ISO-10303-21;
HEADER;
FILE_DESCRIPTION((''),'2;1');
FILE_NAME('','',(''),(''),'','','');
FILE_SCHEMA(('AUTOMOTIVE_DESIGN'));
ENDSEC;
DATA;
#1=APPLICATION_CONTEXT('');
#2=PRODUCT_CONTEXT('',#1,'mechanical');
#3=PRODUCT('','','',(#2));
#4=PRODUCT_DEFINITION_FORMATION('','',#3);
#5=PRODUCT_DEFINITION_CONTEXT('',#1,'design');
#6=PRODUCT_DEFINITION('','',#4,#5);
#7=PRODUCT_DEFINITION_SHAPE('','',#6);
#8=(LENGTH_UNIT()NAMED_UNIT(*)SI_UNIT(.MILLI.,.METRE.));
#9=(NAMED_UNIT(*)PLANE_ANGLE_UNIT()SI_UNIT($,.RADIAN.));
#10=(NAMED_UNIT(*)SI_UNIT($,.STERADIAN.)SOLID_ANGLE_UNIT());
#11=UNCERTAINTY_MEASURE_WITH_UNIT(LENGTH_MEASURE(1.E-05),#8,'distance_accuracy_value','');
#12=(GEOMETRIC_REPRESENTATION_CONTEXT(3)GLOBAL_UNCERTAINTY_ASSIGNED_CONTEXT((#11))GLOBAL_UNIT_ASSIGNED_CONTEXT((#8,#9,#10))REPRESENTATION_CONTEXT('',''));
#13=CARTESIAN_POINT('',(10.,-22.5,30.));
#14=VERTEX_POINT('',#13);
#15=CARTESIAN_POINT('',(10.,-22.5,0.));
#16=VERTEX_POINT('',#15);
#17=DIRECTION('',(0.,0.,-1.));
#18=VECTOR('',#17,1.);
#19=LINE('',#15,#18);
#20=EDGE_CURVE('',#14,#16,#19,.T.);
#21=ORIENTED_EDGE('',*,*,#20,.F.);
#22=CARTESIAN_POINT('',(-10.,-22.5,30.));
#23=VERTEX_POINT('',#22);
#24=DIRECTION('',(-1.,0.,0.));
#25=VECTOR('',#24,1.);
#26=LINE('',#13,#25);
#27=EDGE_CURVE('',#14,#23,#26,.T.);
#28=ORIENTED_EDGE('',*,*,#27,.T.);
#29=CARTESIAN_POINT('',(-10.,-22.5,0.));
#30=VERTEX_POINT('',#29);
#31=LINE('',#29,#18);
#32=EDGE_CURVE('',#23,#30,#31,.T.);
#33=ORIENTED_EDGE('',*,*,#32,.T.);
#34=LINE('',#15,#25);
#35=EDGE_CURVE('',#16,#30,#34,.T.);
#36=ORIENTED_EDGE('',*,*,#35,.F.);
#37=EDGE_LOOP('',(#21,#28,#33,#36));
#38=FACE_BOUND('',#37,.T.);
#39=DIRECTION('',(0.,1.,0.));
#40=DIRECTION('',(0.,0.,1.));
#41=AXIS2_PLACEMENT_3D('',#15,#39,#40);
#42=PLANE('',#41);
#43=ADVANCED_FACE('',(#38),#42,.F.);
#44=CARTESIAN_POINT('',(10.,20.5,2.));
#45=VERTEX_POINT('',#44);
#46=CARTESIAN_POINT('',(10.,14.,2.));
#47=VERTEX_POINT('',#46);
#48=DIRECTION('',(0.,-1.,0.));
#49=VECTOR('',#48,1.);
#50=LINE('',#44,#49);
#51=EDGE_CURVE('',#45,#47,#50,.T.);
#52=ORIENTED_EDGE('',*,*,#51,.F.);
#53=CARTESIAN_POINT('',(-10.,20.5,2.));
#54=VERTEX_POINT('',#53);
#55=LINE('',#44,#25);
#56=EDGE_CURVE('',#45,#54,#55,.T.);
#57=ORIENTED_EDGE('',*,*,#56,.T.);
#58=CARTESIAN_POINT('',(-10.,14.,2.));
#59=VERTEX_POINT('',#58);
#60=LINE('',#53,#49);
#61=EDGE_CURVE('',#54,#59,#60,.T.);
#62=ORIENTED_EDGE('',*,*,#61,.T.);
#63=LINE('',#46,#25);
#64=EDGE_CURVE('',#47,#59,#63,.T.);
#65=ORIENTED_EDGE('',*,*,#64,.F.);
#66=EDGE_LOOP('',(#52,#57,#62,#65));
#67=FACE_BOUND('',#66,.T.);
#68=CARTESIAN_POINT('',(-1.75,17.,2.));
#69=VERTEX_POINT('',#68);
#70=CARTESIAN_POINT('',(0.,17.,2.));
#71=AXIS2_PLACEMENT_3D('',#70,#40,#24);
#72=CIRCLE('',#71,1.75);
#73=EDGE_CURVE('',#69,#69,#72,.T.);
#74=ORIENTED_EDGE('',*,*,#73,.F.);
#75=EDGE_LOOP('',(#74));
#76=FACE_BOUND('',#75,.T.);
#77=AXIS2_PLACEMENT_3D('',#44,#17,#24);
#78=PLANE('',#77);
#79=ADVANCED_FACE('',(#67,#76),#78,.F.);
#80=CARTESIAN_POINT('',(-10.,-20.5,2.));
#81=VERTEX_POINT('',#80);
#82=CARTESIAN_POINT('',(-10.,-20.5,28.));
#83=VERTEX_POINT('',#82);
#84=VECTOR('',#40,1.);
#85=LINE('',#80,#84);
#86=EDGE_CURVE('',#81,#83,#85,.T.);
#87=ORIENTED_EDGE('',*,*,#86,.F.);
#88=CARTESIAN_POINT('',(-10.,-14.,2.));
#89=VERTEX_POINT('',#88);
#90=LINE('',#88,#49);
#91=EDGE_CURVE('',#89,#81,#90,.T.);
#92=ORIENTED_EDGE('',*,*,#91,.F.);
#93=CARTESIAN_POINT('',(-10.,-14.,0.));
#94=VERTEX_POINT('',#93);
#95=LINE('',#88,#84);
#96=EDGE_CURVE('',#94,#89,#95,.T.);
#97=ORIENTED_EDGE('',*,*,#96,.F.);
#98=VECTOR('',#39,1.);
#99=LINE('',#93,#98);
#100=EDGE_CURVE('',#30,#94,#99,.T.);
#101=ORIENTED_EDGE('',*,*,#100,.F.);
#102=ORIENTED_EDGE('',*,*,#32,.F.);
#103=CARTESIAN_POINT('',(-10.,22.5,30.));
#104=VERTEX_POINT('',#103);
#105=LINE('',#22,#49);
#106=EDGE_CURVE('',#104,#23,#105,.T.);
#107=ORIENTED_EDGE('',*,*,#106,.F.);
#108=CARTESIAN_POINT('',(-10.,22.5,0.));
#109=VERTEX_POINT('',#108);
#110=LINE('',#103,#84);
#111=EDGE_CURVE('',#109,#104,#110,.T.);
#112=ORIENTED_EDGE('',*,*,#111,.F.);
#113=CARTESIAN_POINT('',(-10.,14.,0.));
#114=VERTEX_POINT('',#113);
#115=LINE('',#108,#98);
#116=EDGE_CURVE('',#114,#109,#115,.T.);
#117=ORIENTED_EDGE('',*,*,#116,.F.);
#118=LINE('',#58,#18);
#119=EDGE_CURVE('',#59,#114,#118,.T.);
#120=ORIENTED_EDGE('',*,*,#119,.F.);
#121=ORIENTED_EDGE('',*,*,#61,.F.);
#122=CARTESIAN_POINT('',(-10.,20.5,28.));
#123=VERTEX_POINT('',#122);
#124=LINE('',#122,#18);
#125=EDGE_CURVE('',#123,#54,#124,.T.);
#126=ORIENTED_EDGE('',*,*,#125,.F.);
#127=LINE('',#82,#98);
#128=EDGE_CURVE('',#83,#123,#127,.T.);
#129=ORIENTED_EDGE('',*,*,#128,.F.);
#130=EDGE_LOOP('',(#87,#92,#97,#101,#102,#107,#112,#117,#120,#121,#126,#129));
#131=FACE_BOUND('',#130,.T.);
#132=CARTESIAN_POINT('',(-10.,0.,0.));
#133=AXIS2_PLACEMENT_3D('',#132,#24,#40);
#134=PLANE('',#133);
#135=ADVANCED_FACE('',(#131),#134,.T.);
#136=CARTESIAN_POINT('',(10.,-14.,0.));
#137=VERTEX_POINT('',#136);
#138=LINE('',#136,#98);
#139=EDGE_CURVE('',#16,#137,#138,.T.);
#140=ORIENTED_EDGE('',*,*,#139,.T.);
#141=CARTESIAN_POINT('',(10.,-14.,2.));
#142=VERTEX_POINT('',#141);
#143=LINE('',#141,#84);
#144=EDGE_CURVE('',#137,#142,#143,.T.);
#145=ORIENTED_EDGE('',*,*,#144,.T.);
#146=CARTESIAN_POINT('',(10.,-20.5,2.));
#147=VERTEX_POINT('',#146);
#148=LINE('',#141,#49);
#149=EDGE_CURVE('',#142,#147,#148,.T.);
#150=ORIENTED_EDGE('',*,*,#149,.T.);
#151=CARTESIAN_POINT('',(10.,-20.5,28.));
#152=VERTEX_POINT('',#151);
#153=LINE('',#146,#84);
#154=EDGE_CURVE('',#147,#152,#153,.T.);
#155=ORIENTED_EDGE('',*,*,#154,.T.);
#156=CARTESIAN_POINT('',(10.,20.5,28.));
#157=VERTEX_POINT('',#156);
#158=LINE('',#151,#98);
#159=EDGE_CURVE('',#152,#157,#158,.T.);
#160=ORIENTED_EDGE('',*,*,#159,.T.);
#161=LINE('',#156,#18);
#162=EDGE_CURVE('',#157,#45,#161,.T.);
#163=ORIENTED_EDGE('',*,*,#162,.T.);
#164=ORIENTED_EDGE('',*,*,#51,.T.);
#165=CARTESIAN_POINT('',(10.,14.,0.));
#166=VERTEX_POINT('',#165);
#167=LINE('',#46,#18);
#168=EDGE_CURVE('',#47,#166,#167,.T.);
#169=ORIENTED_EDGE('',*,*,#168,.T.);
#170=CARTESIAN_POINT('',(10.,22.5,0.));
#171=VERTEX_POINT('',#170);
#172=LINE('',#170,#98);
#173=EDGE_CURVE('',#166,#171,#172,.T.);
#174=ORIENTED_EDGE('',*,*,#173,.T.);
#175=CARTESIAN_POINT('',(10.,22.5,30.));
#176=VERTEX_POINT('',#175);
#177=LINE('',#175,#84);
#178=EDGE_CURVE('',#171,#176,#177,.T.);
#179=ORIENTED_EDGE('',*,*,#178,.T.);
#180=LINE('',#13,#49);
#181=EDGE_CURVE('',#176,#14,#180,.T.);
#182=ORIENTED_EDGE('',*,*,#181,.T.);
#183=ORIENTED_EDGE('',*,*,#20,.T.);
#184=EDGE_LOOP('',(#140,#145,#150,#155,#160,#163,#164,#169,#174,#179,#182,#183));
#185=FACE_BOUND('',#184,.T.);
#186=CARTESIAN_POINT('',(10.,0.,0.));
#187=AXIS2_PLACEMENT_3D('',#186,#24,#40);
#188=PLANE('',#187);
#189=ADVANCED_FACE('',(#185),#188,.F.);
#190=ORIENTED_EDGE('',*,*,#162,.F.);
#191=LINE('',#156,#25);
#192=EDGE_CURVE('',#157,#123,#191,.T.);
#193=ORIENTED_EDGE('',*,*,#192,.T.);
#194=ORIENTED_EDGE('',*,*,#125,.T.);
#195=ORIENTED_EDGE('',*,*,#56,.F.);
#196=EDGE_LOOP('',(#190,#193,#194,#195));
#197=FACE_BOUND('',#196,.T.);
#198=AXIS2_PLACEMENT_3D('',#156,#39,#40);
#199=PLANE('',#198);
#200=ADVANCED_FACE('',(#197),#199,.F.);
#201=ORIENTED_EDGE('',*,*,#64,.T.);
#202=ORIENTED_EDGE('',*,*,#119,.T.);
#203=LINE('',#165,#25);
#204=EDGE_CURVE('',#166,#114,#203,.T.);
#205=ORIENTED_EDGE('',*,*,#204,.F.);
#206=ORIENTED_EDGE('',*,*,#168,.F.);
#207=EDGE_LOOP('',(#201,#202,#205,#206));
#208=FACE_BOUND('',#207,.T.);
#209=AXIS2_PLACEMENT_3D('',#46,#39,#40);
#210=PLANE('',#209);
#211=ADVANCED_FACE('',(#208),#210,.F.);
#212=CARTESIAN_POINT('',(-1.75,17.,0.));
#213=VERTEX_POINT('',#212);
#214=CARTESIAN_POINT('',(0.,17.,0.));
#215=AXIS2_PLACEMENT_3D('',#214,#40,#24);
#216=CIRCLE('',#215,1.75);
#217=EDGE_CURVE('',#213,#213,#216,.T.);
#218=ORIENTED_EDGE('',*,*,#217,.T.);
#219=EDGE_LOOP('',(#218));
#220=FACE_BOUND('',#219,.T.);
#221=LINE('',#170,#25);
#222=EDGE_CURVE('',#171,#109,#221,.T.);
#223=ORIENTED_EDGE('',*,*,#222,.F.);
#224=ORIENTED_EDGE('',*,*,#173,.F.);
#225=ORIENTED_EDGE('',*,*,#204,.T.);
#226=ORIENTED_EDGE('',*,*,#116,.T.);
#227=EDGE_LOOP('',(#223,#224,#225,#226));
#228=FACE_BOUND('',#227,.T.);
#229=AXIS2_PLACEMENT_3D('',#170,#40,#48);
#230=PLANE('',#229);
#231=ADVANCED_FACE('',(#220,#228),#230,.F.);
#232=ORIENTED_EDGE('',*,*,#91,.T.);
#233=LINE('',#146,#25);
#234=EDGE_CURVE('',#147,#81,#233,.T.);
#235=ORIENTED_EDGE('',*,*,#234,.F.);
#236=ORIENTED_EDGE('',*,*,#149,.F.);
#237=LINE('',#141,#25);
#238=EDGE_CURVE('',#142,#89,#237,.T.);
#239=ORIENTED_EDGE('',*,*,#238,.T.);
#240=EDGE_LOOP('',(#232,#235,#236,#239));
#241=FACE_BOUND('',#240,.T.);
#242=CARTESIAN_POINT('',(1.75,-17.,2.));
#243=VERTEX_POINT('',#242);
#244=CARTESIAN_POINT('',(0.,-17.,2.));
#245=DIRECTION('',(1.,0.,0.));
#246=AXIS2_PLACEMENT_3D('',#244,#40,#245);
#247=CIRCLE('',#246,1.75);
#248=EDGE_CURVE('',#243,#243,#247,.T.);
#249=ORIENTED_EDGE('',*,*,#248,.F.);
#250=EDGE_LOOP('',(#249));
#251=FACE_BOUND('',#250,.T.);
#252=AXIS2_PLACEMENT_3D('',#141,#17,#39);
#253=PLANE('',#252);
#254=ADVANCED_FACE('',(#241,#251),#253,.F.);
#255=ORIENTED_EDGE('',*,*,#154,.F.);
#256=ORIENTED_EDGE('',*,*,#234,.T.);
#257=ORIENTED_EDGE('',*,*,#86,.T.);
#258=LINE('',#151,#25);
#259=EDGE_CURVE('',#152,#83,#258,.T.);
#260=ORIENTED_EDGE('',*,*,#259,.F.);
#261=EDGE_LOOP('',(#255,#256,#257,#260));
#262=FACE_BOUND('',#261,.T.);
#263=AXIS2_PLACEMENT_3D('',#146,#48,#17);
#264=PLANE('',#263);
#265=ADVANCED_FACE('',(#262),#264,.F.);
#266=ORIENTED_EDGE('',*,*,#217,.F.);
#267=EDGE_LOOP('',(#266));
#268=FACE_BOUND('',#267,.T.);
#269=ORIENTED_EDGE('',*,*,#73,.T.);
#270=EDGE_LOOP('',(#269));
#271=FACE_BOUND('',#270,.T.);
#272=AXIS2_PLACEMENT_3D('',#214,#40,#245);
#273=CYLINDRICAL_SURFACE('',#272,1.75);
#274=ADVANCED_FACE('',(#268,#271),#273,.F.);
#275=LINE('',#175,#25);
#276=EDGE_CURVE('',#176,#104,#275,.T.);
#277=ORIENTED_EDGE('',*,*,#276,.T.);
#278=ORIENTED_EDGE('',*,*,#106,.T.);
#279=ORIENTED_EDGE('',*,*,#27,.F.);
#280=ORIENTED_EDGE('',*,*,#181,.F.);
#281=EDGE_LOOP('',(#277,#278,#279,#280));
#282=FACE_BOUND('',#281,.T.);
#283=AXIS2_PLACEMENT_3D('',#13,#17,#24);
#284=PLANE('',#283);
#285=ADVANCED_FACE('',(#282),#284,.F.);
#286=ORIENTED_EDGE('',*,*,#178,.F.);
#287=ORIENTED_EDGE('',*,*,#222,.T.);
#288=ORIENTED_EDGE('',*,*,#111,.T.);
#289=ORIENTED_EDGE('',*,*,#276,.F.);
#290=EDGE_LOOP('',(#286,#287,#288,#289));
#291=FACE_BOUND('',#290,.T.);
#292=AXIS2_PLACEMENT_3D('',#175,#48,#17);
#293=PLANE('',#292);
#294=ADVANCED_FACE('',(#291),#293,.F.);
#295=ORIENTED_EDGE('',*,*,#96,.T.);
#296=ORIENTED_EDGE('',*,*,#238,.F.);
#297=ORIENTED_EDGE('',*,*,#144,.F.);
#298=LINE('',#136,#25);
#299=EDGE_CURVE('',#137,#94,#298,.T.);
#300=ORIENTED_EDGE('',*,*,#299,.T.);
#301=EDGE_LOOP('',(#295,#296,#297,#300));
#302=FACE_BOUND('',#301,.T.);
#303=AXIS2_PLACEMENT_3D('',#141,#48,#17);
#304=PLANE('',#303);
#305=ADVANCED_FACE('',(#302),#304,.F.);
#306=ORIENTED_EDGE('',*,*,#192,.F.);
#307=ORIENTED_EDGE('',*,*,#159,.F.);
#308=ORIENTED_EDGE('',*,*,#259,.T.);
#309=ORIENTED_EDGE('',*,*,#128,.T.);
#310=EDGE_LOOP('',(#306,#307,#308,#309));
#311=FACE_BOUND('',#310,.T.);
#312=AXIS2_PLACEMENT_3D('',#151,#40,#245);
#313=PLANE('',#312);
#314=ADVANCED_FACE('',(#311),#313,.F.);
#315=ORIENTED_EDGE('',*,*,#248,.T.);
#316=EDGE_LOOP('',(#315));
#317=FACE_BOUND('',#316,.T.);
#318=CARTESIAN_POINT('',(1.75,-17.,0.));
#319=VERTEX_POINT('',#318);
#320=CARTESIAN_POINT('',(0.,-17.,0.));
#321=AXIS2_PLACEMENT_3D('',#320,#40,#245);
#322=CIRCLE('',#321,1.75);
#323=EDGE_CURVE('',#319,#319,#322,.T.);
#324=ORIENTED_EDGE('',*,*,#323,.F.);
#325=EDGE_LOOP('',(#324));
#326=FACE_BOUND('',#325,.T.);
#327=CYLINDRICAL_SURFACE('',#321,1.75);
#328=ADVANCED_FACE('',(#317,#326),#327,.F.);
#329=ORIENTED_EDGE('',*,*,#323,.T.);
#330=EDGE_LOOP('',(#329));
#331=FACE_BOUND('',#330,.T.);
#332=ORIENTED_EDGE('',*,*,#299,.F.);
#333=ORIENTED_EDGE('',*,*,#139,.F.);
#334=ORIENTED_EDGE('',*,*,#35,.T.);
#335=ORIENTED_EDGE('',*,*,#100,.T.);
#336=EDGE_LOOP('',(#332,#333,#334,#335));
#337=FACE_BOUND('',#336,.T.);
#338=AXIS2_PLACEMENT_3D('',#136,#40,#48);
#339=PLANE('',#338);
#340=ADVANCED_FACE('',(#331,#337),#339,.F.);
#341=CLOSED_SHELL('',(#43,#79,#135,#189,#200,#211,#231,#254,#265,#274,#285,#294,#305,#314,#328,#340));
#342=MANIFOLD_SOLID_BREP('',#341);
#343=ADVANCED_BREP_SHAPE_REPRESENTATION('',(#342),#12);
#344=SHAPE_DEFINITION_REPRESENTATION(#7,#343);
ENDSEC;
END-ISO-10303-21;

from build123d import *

# Parameters (mm, degrees)
BOSS_EXTRUDE1_DEPTH = 10
SKETCH5_R           = 1.75
CUT_EXTRUDE2_DEPTH  = 38.286056375


with BuildPart() as part:
    # Sketch3 → Boss-Extrude1 (new, symmetric)
    with BuildSketch(Plane(origin=(0, 0, 0), x_dir=(0, 0, -1), z_dir=(1, 0, 0))):
        Polygon((0, -14), (0, -22.5), (-30, -22.5), (-30, 22.5), (0, 22.5), (0, 14), (-2, 14), (-2, 20.5), (-28, 20.5), (-28, -20.5), (-2, -20.5), (-2, -14), align=None)
    extrude(amount=BOSS_EXTRUDE1_DEPTH, both=True)

    # Sketch5 → Cut-Extrude2 (cut, through all)
    with BuildSketch(Plane.XY.offset(2)):
        with Locations((0, -17)):
            Circle(SKETCH5_R)
        with Locations(Location((0, 17, 0), (0, 0, 180))):
            Circle(SKETCH5_R)
    extrude(amount=-CUT_EXTRUDE2_DEPTH, mode=Mode.SUBTRACT)


solid = part.part
